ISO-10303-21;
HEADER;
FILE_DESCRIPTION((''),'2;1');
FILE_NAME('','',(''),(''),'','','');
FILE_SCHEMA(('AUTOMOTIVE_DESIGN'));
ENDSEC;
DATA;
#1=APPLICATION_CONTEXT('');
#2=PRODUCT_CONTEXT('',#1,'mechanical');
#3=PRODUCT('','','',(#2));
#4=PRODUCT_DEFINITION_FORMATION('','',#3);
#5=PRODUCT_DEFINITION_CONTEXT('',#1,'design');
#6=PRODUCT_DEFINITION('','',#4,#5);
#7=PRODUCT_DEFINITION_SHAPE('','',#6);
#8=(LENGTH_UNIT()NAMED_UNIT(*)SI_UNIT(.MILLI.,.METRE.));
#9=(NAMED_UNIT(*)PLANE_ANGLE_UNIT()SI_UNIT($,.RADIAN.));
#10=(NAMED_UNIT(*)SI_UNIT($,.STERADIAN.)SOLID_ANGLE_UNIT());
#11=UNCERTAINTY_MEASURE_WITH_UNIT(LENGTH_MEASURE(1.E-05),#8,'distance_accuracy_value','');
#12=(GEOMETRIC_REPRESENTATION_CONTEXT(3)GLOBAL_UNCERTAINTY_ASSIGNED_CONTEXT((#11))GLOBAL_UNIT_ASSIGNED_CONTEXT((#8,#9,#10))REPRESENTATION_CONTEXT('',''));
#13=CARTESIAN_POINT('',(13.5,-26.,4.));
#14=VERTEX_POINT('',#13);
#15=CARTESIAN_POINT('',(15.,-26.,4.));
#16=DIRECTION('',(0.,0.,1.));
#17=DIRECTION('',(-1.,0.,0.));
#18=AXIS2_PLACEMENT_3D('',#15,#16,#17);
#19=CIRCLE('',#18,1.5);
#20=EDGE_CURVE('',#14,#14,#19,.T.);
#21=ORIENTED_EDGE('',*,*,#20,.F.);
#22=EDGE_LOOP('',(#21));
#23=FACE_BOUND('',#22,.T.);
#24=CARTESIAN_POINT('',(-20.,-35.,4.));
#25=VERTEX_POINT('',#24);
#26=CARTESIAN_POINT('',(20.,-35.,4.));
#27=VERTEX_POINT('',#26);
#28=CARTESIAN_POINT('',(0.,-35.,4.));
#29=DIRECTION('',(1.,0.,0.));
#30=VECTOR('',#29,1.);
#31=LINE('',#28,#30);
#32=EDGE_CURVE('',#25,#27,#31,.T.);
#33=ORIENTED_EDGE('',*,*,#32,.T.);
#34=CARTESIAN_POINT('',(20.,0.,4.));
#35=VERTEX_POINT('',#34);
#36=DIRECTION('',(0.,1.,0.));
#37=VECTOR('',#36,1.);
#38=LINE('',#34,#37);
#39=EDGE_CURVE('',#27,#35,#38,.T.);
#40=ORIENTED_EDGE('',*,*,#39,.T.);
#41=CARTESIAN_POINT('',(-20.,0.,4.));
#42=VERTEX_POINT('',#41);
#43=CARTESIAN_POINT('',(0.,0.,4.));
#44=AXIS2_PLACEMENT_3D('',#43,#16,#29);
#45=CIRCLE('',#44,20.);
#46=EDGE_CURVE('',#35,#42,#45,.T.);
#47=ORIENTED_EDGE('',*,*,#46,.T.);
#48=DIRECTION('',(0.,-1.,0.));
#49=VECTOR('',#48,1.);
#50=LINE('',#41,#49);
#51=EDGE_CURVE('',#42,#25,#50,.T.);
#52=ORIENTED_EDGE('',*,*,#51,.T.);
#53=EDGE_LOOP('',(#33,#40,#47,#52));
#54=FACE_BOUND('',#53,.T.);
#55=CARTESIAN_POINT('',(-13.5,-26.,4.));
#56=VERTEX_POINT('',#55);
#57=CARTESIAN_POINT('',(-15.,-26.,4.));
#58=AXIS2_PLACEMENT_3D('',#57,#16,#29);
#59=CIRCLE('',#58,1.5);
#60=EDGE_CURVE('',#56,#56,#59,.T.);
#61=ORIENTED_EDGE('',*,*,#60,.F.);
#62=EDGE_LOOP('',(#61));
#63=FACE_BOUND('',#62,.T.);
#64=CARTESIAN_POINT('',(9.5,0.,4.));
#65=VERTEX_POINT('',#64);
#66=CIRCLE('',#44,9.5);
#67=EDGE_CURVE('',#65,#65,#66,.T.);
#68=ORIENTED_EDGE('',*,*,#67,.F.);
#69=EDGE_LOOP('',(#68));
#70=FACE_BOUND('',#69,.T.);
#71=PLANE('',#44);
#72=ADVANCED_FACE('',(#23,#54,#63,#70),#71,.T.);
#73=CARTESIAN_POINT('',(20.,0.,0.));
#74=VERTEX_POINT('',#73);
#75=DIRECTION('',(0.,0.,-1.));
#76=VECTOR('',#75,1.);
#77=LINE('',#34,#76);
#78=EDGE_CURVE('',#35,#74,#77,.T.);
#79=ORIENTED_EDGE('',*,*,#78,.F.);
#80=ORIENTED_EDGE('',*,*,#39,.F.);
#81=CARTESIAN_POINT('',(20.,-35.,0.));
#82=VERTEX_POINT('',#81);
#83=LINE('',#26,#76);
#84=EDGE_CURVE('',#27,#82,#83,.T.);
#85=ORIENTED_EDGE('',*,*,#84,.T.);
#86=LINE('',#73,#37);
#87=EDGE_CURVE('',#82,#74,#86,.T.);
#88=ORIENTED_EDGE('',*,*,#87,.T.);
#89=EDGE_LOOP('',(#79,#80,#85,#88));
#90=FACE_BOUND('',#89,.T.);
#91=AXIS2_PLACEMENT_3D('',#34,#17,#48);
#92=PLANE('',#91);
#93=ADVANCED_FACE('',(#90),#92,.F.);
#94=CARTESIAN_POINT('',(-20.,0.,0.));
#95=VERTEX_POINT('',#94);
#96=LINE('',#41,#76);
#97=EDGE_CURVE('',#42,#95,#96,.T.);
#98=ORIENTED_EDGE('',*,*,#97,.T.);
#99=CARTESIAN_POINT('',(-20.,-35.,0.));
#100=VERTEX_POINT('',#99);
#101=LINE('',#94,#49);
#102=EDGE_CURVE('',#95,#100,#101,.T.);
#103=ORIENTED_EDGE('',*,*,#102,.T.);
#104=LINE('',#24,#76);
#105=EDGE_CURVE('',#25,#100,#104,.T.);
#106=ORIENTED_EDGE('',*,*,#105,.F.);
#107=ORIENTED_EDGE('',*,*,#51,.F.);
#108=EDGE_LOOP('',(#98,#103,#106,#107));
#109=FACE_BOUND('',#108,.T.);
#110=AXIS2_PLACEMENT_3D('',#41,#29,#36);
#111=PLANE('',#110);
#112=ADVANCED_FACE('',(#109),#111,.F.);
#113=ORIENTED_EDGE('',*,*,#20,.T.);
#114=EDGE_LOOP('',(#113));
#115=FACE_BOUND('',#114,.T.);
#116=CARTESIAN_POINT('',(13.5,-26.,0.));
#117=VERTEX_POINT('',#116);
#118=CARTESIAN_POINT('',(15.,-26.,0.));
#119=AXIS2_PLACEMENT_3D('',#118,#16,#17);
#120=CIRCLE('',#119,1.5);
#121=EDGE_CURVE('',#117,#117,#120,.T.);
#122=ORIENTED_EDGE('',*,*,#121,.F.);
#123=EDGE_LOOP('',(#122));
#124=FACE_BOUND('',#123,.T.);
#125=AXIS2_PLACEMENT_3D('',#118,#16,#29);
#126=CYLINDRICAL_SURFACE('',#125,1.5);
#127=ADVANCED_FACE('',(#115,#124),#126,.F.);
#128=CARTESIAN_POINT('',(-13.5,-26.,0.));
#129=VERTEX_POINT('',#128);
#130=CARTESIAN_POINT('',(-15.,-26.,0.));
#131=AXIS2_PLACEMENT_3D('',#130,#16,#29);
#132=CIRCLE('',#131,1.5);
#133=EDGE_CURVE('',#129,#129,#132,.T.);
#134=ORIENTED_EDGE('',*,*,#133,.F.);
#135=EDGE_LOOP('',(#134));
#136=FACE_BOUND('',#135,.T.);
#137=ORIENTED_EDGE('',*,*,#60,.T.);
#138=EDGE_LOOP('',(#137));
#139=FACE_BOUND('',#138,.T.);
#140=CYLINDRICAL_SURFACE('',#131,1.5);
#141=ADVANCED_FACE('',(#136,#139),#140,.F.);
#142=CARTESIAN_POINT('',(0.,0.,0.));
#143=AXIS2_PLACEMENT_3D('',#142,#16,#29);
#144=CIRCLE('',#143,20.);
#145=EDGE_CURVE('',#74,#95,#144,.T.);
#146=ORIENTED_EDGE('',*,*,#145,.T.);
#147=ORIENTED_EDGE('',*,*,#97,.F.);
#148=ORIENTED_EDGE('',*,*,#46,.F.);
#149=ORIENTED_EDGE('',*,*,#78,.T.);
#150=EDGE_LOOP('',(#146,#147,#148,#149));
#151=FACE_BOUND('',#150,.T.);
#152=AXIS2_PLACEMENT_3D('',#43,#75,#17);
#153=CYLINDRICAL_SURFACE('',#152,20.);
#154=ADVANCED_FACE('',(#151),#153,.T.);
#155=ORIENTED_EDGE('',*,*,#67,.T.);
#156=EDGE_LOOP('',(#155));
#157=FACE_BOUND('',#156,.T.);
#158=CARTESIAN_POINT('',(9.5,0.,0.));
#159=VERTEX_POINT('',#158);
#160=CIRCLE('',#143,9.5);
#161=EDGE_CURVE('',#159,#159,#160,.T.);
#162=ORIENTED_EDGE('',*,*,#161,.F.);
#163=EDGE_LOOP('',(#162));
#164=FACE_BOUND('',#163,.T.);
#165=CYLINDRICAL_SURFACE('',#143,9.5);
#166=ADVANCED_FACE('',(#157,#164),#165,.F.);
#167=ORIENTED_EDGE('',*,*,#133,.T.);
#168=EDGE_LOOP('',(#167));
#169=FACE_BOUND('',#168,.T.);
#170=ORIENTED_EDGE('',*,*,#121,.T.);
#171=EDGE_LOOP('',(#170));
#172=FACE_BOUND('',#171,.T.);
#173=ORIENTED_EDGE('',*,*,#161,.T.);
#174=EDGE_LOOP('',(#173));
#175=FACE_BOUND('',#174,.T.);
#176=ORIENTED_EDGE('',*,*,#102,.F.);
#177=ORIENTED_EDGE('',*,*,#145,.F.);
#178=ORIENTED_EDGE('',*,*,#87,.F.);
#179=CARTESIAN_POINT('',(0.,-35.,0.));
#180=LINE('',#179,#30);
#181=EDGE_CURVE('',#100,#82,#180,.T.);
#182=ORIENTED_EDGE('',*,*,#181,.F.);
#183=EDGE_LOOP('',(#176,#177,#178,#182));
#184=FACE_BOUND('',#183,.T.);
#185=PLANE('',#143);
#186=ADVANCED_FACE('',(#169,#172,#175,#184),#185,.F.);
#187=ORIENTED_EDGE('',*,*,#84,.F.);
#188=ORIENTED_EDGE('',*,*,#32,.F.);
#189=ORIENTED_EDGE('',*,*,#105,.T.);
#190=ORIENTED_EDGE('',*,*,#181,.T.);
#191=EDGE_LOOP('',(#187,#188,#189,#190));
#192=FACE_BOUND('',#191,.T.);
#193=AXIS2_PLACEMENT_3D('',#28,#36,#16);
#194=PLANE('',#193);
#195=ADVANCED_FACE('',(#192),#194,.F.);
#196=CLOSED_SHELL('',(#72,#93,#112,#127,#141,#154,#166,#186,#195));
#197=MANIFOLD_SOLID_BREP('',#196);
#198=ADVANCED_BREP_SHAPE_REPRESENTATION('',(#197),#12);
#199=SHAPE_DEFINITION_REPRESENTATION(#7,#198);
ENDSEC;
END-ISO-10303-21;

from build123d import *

# Parameters (mm, degrees)
SKETCH_1_R          = 20
EXTRUDE_1_DEPTH     = 4
SKETCH_2_R          = 9.5
CUT_EXTRUDE_1_DEPTH = 41.509258201
SKETCH_4_R          = 1.5
CUT_EXTRUDE_2_DEPTH = 41.509258201


with BuildPart() as part:
    # 草图1 → 凸台-拉伸1 (new body)
    with BuildSketch(Plane.XY):
        Circle(SKETCH_1_R)
        with BuildLine():
            ThreePointArc((20, 0), (0, -20), (-20, 0))
            Line((-20, 0), (-20, -35))
            Line((-20, -35), (20, -35))
            Line((20, -35), (20, 0))
        make_face()
    extrude(amount=EXTRUDE_1_DEPTH)

    # 草图2 → 切除-拉伸1 (cut, through all)
    with BuildSketch(Plane.XY.offset(4)):
        Circle(SKETCH_2_R)
    extrude(amount=-CUT_EXTRUDE_1_DEPTH, mode=Mode.SUBTRACT)

    # 草图4 → 切除-拉伸2 (cut, through all)
    with BuildSketch(Plane.XY.offset(4)):
        with Locations((-15, -26)):
            Circle(SKETCH_4_R)
        with Locations(Location((15, -26, 0), (0, 0, 180))):
            Circle(SKETCH_4_R)
    extrude(amount=-CUT_EXTRUDE_2_DEPTH, mode=Mode.SUBTRACT)


solid = part.part
